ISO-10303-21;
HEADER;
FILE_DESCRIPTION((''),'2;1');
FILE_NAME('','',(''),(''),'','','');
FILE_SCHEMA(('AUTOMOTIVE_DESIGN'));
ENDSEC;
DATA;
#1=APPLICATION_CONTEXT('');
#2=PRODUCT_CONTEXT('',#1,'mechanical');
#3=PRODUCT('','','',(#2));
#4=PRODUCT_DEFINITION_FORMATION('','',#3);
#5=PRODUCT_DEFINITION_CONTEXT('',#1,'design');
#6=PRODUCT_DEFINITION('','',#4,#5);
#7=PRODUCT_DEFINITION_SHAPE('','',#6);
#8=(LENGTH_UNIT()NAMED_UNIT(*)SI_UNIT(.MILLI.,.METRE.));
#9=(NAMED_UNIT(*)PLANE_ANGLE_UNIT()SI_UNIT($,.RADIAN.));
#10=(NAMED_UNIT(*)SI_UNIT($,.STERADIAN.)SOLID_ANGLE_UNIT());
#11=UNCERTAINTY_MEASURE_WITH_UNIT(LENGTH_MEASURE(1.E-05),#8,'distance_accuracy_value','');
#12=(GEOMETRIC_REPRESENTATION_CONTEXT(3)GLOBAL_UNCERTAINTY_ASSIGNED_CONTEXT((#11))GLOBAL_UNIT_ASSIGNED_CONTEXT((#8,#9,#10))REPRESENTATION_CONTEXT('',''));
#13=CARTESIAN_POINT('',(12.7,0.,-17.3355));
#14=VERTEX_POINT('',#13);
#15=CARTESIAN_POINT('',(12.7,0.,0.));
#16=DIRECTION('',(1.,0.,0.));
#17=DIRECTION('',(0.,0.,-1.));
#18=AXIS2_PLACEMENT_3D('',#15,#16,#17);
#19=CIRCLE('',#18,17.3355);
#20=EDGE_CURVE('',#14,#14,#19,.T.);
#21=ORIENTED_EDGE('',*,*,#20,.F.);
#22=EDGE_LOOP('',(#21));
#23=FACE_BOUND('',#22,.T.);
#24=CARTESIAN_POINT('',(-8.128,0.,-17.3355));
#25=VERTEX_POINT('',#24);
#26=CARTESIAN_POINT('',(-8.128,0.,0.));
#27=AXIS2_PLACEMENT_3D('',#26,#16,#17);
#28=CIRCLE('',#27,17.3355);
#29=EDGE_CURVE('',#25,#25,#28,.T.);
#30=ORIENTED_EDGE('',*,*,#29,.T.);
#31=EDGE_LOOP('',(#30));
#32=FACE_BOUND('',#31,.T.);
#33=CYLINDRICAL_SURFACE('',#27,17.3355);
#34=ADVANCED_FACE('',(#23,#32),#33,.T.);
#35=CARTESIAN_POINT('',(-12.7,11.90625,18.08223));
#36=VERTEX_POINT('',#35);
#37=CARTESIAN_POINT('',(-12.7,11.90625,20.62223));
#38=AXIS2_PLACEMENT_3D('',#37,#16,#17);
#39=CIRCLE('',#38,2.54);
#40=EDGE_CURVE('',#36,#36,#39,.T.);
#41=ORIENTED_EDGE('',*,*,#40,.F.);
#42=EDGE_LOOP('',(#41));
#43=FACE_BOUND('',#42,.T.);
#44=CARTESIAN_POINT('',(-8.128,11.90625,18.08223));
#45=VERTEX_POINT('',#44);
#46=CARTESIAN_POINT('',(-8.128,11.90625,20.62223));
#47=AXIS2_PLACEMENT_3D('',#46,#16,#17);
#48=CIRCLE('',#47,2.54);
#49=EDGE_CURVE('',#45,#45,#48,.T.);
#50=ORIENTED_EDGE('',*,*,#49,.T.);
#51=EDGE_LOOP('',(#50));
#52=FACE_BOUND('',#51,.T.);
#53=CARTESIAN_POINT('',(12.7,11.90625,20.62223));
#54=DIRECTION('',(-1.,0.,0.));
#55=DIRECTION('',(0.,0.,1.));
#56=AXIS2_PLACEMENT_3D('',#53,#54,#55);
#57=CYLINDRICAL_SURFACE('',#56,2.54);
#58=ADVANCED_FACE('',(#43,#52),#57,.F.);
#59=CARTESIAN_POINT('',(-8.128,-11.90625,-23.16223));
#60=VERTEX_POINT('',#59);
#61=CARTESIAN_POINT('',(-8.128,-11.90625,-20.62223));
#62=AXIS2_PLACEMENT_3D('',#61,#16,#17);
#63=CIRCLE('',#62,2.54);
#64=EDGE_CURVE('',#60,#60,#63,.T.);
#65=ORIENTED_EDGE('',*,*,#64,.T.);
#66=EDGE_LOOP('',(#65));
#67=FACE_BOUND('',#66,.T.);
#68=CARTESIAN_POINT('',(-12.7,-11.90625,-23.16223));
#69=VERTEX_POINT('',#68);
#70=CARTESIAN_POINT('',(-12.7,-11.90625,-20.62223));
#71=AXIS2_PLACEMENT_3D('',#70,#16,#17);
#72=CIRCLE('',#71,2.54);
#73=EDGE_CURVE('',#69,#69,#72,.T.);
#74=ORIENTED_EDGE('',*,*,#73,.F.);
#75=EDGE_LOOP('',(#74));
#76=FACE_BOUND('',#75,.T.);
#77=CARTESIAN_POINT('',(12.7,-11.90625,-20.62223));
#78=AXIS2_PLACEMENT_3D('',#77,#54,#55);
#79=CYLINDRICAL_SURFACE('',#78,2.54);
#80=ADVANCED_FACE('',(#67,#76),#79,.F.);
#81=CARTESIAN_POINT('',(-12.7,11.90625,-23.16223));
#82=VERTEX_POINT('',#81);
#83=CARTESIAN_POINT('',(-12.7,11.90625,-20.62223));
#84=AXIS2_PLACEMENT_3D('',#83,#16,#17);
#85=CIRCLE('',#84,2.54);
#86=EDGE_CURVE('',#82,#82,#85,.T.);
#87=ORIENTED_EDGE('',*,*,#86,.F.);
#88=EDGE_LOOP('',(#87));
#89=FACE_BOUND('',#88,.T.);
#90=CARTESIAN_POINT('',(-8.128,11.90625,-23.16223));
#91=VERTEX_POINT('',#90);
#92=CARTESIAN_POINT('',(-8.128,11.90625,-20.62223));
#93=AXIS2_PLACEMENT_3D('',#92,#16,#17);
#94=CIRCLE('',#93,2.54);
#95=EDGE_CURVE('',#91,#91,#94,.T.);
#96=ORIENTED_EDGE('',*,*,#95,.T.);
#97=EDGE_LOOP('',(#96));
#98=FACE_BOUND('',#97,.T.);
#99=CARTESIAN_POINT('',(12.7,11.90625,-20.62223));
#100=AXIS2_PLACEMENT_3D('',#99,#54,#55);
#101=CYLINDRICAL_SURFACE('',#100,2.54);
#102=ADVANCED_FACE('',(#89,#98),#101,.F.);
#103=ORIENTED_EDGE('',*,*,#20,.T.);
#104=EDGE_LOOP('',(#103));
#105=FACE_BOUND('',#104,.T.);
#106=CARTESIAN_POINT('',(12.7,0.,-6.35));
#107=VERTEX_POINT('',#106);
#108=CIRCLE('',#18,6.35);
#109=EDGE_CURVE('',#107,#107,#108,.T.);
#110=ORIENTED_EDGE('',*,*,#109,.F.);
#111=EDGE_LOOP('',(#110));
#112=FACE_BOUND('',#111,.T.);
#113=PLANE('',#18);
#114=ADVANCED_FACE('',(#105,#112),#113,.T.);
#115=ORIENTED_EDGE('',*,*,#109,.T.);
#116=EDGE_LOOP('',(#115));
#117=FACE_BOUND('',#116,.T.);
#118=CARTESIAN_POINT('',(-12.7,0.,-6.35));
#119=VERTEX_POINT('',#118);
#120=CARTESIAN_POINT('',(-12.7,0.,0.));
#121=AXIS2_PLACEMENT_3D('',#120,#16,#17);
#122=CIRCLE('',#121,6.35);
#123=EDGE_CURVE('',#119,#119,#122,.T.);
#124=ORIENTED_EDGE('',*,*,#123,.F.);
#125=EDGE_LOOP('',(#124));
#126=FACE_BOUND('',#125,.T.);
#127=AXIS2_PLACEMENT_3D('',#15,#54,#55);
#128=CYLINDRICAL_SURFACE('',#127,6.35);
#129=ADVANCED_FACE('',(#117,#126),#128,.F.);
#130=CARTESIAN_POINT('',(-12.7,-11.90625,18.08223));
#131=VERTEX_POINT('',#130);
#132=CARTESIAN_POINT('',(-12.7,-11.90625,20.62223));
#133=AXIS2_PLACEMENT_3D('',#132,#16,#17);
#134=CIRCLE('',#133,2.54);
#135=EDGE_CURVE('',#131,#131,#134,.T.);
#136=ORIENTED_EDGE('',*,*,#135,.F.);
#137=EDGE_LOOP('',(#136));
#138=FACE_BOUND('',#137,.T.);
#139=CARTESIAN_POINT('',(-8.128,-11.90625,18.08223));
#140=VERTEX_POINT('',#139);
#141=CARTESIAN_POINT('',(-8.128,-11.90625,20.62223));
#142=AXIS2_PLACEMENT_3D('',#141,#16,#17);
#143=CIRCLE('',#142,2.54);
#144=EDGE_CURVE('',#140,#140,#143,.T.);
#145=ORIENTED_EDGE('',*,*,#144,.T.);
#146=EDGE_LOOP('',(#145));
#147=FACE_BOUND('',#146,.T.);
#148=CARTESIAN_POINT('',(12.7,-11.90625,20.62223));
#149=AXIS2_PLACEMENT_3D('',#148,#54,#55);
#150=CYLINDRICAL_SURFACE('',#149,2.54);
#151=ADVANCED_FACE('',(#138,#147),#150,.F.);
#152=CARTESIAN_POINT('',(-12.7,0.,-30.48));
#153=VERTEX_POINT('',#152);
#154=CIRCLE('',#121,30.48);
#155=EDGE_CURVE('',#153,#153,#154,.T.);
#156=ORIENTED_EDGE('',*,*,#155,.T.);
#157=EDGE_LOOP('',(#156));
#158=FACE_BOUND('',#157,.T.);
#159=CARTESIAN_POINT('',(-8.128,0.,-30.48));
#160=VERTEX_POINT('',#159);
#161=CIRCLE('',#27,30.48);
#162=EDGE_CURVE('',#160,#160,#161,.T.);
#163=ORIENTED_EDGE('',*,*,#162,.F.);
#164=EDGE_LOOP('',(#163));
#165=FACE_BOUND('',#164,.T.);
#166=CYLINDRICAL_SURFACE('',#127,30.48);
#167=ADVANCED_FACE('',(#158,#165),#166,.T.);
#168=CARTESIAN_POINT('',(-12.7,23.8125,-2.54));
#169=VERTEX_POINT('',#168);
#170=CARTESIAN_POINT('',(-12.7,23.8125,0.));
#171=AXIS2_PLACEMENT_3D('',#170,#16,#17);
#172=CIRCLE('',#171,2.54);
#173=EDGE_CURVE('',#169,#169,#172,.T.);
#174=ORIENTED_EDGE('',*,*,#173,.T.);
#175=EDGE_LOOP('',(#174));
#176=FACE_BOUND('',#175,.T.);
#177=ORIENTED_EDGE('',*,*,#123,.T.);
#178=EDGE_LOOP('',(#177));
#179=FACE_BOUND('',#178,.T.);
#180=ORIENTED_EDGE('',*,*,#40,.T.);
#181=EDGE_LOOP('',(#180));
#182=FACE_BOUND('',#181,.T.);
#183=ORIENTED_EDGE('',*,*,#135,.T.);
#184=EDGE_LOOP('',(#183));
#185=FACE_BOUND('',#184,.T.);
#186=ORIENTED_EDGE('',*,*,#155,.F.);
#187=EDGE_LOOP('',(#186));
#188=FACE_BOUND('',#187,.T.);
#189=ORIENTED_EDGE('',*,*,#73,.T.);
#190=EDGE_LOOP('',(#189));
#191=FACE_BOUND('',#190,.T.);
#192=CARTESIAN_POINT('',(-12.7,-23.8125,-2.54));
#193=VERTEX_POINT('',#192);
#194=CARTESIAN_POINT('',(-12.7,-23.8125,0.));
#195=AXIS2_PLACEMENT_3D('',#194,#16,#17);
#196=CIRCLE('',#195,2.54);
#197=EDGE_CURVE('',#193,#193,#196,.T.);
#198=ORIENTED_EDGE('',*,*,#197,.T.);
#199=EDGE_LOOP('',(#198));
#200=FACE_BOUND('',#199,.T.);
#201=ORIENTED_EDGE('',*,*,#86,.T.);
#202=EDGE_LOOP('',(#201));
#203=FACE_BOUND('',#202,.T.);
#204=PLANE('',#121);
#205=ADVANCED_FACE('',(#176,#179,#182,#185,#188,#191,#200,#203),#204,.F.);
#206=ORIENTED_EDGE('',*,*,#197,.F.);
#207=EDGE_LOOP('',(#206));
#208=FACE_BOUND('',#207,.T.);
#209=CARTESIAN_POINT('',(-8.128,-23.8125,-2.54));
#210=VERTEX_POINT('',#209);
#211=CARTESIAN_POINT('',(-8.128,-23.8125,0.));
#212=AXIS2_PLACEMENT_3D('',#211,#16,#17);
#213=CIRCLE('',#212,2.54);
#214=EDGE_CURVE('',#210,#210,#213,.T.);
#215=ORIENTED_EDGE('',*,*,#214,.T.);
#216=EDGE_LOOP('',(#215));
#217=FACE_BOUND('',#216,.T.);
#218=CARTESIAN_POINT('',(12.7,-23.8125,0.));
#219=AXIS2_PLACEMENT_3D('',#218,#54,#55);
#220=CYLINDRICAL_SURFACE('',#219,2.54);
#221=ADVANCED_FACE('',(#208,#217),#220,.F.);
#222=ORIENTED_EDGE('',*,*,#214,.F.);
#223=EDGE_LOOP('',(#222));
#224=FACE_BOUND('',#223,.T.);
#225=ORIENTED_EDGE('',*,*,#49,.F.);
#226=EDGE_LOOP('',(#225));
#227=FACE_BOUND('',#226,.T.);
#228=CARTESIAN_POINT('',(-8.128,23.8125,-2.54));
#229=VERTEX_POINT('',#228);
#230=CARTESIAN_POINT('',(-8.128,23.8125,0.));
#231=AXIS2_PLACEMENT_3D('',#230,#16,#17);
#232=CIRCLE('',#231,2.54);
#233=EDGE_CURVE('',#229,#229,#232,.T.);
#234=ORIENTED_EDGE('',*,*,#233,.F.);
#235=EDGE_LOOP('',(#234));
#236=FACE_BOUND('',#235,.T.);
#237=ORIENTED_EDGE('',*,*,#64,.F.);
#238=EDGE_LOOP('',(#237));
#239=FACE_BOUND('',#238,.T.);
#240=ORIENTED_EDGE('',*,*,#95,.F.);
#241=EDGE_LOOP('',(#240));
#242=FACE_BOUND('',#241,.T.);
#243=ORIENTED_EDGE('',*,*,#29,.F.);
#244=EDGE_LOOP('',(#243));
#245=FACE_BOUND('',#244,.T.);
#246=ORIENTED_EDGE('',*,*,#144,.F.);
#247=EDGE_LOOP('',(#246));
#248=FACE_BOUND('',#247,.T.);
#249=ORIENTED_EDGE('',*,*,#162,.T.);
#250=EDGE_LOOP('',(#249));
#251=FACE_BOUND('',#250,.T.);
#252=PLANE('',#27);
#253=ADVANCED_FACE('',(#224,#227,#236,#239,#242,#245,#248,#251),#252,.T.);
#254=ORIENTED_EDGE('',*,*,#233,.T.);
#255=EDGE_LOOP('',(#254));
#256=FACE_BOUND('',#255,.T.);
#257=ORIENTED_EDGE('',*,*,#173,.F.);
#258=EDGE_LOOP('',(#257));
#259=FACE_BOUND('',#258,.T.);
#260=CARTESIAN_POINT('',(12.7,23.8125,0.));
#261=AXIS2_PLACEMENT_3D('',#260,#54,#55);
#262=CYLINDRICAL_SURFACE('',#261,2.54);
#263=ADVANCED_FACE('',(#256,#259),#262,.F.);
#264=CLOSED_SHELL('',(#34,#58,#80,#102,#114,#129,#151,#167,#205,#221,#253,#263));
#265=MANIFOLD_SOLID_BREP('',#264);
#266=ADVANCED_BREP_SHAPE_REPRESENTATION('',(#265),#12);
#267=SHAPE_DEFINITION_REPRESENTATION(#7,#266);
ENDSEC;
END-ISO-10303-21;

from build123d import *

# Parameters (mm, degrees)
SKETCH1_R           = 30.48
SKETCH1_R_2         = 6.35
SKETCH1_R_3         = 2.54
BOSS_EXTRUDE1_DEPTH = 12.7
SKETCH2_OUTSIDE_W   = 80.934
SKETCH2_OUTSIDE_H   = 80.934
SKETCH2_OUTSIDE_R   = 17.3355
CUT_EXTRUDE1_DEPTH  = 20.828


with BuildPart() as part:
    # Sketch1 → Boss-Extrude1 (new body, symmetric)
    with BuildSketch(Plane(origin=(0, 0, 0), x_dir=(0, 0, -1), z_dir=(1, 0, 0))):
        Circle(SKETCH1_R)
        Circle(SKETCH1_R_2, mode=Mode.SUBTRACT)
        with Locations((0, 23.8125)):
            Circle(SKETCH1_R_3, mode=Mode.SUBTRACT)
        with Locations((20.622229928, 11.90625)):
            Circle(SKETCH1_R_3, mode=Mode.SUBTRACT)
        with Locations((20.622229928, -11.90625)):
            Circle(SKETCH1_R_3, mode=Mode.SUBTRACT)
        with Locations((0, -23.8125)):
            Circle(SKETCH1_R_3, mode=Mode.SUBTRACT)
        with Locations((-20.622229928, -11.90625)):
            Circle(SKETCH1_R_3, mode=Mode.SUBTRACT)
        with Locations((-20.622229928, 11.90625)):
            Circle(SKETCH1_R_3, mode=Mode.SUBTRACT)
    extrude(amount=BOSS_EXTRUDE1_DEPTH, both=True)

    # Sketch2 outside → Cut-Extrude1 (cut)
    with BuildSketch(Plane(origin=(12.7, 0, 0), x_dir=(0, 0, -1), z_dir=(1, 0, 0))):
        Rectangle(SKETCH2_OUTSIDE_W, SKETCH2_OUTSIDE_H)
        Circle(SKETCH2_OUTSIDE_R, mode=Mode.SUBTRACT)
    extrude(amount=-CUT_EXTRUDE1_DEPTH, mode=Mode.SUBTRACT)


solid = part.part
